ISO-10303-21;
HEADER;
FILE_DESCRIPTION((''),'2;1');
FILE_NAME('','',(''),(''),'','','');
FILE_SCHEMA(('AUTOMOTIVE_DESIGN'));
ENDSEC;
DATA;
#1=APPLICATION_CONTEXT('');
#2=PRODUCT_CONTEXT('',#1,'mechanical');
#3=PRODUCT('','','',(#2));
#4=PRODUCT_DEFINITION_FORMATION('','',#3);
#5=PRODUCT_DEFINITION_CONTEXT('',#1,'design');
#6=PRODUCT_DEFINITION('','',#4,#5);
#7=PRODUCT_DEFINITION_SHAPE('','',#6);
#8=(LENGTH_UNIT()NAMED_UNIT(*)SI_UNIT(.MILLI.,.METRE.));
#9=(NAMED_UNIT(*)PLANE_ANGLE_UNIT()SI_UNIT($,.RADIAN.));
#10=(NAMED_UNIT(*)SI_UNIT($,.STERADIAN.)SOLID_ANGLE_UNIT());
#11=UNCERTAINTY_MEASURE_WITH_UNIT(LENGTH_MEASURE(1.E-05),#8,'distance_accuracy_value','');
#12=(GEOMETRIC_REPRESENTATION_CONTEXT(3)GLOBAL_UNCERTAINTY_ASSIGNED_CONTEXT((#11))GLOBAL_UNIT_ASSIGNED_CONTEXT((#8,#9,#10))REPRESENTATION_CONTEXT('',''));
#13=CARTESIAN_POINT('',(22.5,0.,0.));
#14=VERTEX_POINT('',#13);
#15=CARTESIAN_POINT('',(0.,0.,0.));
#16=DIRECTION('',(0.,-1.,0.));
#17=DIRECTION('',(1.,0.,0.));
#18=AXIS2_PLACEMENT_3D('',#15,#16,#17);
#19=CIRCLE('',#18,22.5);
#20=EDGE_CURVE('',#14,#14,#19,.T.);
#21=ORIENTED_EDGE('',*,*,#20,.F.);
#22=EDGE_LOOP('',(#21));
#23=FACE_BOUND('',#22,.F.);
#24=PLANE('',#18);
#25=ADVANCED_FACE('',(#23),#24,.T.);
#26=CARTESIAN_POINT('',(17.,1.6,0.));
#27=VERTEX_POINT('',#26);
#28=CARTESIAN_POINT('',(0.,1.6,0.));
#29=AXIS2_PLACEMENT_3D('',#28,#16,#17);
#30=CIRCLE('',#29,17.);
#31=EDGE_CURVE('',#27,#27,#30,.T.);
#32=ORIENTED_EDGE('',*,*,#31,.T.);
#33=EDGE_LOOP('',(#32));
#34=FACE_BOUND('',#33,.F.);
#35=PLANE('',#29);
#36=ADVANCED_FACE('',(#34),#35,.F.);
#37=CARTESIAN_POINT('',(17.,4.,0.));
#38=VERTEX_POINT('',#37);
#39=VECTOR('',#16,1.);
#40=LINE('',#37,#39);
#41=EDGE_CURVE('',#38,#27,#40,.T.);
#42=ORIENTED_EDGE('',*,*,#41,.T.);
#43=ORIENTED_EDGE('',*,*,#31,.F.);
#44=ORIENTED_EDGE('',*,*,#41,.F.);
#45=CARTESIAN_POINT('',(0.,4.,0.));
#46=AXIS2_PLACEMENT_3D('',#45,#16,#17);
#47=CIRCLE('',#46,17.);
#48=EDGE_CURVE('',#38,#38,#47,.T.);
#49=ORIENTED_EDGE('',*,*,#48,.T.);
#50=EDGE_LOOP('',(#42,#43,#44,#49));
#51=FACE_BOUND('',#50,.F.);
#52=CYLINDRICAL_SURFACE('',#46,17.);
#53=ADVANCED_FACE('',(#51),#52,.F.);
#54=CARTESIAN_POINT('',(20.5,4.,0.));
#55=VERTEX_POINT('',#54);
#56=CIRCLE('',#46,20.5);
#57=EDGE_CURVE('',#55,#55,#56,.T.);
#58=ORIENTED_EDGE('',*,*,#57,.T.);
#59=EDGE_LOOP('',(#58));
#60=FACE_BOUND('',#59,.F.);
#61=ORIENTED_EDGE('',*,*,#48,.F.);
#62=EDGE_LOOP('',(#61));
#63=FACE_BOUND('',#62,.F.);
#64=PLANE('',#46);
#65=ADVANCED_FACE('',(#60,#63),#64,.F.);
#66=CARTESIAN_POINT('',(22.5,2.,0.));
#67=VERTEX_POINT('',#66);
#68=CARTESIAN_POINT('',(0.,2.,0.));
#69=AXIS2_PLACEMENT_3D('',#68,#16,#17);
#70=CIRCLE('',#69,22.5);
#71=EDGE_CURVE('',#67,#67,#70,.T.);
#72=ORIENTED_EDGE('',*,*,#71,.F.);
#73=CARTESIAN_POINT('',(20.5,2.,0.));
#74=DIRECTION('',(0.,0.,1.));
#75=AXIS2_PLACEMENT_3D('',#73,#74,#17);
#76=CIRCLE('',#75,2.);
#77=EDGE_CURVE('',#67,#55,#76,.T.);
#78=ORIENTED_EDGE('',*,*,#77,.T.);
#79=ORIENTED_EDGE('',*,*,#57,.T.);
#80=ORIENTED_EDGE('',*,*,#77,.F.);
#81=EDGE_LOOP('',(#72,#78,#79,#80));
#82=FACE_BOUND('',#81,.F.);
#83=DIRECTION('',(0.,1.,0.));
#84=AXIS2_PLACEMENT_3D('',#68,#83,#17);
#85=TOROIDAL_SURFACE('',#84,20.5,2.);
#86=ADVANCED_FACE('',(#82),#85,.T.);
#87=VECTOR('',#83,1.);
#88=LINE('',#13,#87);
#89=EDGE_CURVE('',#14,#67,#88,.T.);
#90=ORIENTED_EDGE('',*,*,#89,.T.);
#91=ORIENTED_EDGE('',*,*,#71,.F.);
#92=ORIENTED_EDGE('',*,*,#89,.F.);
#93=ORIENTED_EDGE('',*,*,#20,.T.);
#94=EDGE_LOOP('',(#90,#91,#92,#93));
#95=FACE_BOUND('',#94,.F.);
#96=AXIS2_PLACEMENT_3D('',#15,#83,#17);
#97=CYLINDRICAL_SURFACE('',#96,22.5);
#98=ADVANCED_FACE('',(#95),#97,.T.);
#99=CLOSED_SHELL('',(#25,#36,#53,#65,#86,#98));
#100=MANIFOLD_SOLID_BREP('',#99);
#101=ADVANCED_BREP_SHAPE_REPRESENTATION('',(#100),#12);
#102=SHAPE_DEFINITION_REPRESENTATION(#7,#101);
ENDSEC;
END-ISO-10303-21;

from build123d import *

# Parameters (mm, degrees)
F2_R = 2


with BuildPart() as f1:
    # F0 (on Top) → F1 (revolve)
    with BuildSketch(Plane.XY):
        Polygon((17, 1.6), (0, 1.6), (0, 0), (22.5, 0), (22.5, 4), (17, 4), align=None)
    revolve(axis=Axis((0, 0.076191, 0), (0, -1, 0)))

    # F2
    f2_edges = [f1.edges().sort_by_distance(p)[0] for p in [
        (-22.5, 4, 0),
    ]]
    fillet(f2_edges, radius=F2_R)


solid = f1.part
